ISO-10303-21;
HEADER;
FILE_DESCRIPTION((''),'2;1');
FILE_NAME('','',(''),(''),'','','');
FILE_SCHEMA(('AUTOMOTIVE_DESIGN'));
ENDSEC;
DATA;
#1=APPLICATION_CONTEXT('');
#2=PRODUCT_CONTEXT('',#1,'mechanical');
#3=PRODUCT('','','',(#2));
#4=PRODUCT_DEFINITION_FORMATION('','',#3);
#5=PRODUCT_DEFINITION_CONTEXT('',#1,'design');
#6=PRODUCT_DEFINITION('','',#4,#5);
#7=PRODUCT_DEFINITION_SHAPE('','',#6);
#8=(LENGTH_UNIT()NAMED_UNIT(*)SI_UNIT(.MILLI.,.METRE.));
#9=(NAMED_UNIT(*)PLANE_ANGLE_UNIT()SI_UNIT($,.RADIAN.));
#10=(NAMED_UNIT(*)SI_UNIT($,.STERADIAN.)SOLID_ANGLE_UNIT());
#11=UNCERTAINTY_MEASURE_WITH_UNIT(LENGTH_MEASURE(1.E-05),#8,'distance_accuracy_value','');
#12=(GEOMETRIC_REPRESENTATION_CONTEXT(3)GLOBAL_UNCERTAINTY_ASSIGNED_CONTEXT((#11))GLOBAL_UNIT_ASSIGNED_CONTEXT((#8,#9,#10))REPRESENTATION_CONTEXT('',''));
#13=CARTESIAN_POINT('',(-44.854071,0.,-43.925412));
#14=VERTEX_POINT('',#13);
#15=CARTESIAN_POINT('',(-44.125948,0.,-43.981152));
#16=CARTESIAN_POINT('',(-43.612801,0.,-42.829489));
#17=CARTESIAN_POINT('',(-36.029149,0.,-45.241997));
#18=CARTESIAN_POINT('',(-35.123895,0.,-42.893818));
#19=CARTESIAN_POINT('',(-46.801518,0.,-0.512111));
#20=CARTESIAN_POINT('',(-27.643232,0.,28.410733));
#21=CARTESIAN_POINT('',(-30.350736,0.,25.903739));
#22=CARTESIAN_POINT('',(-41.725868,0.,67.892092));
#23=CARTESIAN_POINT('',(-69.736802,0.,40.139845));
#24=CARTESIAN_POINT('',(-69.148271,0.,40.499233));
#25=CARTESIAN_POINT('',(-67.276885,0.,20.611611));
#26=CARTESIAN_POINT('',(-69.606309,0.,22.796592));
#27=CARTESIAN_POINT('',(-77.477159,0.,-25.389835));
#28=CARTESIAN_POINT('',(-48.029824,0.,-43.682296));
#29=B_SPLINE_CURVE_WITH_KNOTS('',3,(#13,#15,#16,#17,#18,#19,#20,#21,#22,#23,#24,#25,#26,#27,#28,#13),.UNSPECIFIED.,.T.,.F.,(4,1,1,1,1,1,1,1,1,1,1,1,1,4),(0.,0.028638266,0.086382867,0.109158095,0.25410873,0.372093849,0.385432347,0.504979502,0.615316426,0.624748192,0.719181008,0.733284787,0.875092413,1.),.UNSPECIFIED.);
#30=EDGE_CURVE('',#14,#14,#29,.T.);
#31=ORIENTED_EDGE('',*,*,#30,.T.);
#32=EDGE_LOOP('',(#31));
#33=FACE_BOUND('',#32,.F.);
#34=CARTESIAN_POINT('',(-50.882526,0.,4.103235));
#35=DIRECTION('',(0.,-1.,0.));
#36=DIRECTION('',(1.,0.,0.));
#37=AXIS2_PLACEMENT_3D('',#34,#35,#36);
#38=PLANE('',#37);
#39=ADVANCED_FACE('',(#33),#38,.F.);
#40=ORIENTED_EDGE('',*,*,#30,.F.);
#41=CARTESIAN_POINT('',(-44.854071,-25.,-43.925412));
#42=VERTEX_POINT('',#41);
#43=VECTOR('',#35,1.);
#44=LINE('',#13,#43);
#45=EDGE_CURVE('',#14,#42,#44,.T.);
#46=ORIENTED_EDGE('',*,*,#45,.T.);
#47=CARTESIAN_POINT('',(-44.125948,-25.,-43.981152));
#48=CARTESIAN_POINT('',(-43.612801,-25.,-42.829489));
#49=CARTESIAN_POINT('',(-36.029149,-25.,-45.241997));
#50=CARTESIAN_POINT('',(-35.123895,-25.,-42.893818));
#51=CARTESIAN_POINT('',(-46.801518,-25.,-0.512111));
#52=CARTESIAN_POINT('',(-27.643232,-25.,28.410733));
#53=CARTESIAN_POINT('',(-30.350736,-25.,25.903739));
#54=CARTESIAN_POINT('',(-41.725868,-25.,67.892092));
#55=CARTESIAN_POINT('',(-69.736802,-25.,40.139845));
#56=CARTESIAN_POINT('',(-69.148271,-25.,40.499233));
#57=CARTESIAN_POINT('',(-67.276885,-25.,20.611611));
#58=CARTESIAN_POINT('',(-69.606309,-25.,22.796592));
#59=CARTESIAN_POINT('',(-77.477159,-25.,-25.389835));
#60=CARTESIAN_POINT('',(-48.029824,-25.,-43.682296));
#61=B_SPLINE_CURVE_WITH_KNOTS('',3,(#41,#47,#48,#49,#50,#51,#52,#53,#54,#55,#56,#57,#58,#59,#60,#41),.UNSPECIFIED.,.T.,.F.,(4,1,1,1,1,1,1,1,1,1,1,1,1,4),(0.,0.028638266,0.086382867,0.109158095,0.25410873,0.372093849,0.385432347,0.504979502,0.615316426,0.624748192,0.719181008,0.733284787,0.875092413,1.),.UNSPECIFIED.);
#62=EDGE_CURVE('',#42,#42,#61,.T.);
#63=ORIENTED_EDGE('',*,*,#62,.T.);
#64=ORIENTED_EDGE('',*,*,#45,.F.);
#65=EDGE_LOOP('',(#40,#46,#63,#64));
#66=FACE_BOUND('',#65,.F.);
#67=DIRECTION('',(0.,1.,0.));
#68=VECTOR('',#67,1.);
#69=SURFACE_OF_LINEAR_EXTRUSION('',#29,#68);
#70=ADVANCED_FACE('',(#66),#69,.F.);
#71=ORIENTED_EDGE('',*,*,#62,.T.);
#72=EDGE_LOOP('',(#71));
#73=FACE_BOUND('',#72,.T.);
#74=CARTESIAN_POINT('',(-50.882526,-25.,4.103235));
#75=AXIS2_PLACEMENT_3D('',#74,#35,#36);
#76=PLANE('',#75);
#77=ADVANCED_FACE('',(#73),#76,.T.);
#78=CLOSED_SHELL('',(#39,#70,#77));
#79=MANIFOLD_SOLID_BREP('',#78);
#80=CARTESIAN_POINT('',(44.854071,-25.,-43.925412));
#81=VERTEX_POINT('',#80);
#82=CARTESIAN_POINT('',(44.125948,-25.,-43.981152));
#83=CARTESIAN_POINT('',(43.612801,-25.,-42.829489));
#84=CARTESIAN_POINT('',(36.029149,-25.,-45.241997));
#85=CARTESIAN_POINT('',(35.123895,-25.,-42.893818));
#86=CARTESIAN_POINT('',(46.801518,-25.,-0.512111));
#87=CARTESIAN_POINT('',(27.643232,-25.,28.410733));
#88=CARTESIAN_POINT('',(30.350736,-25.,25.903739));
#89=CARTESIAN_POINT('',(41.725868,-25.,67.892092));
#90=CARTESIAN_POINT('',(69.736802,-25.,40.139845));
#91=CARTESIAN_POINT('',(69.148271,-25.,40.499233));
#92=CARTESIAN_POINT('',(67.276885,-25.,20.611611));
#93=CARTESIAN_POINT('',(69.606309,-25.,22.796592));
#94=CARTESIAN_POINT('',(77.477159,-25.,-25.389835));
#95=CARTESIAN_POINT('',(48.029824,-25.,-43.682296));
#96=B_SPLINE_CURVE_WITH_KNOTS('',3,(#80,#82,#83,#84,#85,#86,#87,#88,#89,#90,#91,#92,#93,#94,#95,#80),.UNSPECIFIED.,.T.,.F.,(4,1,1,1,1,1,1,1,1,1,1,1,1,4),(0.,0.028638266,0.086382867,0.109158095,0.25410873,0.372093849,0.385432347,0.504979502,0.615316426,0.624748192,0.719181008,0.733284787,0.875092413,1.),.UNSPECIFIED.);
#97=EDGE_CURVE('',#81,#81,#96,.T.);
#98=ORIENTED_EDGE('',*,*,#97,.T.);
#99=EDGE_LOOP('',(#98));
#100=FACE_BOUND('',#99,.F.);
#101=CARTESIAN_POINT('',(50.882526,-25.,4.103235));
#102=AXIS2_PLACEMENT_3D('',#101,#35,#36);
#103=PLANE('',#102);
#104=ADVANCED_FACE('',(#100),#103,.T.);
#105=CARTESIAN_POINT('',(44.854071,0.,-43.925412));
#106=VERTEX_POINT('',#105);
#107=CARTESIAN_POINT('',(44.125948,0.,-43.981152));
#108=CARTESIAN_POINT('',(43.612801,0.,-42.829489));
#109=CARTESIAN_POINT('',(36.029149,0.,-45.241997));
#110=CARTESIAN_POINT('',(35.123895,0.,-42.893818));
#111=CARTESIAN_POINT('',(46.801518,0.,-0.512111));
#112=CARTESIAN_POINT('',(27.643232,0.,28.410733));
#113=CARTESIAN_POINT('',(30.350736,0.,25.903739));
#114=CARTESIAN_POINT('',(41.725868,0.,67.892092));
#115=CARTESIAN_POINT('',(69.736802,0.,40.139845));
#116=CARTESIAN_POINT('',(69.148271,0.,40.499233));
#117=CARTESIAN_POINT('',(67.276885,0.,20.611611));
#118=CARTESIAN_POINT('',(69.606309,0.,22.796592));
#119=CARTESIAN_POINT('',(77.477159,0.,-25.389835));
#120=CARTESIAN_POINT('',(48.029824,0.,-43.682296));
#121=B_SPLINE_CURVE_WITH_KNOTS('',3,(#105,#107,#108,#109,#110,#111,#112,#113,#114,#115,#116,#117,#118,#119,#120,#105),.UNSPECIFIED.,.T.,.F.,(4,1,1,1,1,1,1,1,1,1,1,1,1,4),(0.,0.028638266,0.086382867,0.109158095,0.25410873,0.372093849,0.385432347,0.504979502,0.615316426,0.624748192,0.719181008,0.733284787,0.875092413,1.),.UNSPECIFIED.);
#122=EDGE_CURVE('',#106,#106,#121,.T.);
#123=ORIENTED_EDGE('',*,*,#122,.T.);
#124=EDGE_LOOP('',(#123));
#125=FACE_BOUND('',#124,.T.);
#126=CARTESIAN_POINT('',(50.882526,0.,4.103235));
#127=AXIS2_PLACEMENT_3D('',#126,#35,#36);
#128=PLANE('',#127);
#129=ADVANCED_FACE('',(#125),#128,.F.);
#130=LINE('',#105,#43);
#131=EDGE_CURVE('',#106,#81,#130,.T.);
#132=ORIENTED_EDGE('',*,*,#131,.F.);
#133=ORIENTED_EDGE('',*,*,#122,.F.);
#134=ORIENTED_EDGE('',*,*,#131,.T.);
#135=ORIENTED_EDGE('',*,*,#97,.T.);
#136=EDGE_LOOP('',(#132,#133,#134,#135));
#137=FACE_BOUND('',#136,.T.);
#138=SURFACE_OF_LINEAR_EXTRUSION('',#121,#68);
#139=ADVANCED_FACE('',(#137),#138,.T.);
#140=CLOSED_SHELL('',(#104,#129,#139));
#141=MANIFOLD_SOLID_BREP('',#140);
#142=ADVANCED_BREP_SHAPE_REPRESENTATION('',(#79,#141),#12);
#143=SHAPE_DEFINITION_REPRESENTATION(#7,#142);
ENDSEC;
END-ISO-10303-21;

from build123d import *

# Parameters (mm, degrees)
F1_DEPTH = 25


with BuildPart() as f1:
    # F0 (on Front) → F1 (new body)
    with BuildSketch(Plane.XZ):
        with BuildLine():
            add(Edge.make_bspline(
                [(-44.8540709913, -43.9254119992), (-44.1259482178, -43.9811524671), (-43.6128007916, -42.8294892962), (-36.0291494785, -45.2419967596), (-35.123895237, -42.8938182579), (-46.8015182884, -0.5121108289), (-27.6432319174, 28.4107326348), (-30.3507361501, 25.903738844), (-41.7258683385, 67.8920920911), (-69.7368023698, 40.1398445547), (-69.1482706654, 40.4992325669), (-67.2768848884, 20.611611249), (-69.6063094576, 22.7965915994), (-77.4771594838, -25.3898354881), (-48.0298239965, -43.6822964632), (-44.8540709913, -43.9254119992)],
                knots=[0, 0, 0, 0, 0.0286382658, 0.0863828665, 0.1091580947, 0.2541087297, 0.3720938492, 0.3854323469, 0.5049795024, 0.6153164265, 0.6247481923, 0.7191810075, 0.733284787, 0.8750924132, 1, 1, 1, 1], degree=3))
        make_face()
    extrude(amount=F1_DEPTH)


with BuildPart() as f2_1:
    # F2: instance of F1
    add(f1.part.mirror(Plane.YZ))


solid = Compound([f1.part, f2_1.part])
